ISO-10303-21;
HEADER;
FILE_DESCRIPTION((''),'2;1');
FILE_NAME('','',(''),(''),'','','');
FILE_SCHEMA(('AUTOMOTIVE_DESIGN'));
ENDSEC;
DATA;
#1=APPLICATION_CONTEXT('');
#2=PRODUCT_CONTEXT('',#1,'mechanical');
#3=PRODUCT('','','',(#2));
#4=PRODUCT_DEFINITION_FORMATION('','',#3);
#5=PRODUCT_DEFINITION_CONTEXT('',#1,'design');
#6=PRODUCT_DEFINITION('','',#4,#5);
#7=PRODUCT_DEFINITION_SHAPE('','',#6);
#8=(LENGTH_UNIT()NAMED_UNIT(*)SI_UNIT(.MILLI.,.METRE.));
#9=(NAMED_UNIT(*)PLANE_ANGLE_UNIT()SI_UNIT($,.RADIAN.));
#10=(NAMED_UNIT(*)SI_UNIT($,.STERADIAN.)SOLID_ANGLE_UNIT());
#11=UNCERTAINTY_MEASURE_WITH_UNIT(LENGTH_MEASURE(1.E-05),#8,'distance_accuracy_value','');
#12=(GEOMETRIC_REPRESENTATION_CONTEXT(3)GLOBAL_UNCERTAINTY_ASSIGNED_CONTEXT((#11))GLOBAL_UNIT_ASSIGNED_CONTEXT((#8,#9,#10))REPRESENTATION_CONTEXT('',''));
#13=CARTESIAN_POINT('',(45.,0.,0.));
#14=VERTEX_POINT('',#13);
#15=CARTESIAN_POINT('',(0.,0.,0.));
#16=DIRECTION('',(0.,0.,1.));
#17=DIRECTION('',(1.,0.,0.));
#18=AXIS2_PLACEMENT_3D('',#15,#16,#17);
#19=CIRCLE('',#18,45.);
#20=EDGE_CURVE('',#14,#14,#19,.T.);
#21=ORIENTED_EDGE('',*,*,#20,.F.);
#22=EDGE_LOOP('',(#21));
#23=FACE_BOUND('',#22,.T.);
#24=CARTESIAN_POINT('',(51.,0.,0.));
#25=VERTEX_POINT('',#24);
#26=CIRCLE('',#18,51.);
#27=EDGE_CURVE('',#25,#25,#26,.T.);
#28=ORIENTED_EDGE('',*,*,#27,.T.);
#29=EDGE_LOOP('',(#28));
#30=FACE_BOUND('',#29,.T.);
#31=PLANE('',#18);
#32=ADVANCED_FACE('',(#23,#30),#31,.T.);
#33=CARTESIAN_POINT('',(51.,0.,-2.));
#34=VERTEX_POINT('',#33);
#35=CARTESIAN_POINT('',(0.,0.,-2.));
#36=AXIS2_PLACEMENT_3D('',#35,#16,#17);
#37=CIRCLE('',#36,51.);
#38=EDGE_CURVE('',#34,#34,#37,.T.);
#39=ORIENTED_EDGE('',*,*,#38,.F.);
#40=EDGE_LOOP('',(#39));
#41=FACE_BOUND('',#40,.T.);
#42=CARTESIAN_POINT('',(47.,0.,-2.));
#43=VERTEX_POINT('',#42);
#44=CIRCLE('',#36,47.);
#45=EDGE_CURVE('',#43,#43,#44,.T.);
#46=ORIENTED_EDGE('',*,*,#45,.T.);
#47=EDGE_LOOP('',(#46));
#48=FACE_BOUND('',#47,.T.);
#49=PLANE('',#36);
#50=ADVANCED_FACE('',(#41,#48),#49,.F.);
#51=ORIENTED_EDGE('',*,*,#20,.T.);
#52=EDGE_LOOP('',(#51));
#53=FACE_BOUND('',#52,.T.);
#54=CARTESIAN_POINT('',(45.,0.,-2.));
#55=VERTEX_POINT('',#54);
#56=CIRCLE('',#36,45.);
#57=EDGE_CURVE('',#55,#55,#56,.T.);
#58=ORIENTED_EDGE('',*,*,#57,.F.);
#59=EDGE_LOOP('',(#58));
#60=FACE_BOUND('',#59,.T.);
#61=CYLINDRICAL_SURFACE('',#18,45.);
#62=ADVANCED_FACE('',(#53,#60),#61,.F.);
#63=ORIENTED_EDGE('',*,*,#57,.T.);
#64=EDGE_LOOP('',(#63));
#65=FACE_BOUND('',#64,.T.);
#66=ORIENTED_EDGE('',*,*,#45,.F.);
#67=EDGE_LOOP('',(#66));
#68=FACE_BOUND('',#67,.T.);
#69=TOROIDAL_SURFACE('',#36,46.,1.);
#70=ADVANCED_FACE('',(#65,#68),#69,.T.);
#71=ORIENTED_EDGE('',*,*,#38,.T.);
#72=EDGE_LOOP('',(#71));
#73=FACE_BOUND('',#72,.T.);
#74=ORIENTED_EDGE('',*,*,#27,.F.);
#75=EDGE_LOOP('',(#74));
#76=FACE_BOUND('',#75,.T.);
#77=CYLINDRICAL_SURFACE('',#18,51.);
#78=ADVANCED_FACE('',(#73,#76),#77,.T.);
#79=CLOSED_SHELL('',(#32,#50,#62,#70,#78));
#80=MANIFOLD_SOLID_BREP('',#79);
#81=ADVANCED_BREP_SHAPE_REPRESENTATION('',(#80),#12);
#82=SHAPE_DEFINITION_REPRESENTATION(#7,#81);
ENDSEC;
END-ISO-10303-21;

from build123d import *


with BuildPart() as part:
    # 草图2 → 旋转1 (revolve)
    with BuildSketch(Plane(origin=(0, 0, 0), x_dir=(1, 0, 0), z_dir=(0, 1, 0))):
        with BuildLine():
            Line((47, 2), (51, 2))
            Line((51, 2), (51, 0))
            Line((51, 0), (45, 0))
            Line((45, 0), (45, 2))
            ThreePointArc((45, 2), (46, 3), (47, 2))
        make_face()
    revolve(axis=Axis((0, 0, 0), (0, 0, -1)))


solid = part.part
